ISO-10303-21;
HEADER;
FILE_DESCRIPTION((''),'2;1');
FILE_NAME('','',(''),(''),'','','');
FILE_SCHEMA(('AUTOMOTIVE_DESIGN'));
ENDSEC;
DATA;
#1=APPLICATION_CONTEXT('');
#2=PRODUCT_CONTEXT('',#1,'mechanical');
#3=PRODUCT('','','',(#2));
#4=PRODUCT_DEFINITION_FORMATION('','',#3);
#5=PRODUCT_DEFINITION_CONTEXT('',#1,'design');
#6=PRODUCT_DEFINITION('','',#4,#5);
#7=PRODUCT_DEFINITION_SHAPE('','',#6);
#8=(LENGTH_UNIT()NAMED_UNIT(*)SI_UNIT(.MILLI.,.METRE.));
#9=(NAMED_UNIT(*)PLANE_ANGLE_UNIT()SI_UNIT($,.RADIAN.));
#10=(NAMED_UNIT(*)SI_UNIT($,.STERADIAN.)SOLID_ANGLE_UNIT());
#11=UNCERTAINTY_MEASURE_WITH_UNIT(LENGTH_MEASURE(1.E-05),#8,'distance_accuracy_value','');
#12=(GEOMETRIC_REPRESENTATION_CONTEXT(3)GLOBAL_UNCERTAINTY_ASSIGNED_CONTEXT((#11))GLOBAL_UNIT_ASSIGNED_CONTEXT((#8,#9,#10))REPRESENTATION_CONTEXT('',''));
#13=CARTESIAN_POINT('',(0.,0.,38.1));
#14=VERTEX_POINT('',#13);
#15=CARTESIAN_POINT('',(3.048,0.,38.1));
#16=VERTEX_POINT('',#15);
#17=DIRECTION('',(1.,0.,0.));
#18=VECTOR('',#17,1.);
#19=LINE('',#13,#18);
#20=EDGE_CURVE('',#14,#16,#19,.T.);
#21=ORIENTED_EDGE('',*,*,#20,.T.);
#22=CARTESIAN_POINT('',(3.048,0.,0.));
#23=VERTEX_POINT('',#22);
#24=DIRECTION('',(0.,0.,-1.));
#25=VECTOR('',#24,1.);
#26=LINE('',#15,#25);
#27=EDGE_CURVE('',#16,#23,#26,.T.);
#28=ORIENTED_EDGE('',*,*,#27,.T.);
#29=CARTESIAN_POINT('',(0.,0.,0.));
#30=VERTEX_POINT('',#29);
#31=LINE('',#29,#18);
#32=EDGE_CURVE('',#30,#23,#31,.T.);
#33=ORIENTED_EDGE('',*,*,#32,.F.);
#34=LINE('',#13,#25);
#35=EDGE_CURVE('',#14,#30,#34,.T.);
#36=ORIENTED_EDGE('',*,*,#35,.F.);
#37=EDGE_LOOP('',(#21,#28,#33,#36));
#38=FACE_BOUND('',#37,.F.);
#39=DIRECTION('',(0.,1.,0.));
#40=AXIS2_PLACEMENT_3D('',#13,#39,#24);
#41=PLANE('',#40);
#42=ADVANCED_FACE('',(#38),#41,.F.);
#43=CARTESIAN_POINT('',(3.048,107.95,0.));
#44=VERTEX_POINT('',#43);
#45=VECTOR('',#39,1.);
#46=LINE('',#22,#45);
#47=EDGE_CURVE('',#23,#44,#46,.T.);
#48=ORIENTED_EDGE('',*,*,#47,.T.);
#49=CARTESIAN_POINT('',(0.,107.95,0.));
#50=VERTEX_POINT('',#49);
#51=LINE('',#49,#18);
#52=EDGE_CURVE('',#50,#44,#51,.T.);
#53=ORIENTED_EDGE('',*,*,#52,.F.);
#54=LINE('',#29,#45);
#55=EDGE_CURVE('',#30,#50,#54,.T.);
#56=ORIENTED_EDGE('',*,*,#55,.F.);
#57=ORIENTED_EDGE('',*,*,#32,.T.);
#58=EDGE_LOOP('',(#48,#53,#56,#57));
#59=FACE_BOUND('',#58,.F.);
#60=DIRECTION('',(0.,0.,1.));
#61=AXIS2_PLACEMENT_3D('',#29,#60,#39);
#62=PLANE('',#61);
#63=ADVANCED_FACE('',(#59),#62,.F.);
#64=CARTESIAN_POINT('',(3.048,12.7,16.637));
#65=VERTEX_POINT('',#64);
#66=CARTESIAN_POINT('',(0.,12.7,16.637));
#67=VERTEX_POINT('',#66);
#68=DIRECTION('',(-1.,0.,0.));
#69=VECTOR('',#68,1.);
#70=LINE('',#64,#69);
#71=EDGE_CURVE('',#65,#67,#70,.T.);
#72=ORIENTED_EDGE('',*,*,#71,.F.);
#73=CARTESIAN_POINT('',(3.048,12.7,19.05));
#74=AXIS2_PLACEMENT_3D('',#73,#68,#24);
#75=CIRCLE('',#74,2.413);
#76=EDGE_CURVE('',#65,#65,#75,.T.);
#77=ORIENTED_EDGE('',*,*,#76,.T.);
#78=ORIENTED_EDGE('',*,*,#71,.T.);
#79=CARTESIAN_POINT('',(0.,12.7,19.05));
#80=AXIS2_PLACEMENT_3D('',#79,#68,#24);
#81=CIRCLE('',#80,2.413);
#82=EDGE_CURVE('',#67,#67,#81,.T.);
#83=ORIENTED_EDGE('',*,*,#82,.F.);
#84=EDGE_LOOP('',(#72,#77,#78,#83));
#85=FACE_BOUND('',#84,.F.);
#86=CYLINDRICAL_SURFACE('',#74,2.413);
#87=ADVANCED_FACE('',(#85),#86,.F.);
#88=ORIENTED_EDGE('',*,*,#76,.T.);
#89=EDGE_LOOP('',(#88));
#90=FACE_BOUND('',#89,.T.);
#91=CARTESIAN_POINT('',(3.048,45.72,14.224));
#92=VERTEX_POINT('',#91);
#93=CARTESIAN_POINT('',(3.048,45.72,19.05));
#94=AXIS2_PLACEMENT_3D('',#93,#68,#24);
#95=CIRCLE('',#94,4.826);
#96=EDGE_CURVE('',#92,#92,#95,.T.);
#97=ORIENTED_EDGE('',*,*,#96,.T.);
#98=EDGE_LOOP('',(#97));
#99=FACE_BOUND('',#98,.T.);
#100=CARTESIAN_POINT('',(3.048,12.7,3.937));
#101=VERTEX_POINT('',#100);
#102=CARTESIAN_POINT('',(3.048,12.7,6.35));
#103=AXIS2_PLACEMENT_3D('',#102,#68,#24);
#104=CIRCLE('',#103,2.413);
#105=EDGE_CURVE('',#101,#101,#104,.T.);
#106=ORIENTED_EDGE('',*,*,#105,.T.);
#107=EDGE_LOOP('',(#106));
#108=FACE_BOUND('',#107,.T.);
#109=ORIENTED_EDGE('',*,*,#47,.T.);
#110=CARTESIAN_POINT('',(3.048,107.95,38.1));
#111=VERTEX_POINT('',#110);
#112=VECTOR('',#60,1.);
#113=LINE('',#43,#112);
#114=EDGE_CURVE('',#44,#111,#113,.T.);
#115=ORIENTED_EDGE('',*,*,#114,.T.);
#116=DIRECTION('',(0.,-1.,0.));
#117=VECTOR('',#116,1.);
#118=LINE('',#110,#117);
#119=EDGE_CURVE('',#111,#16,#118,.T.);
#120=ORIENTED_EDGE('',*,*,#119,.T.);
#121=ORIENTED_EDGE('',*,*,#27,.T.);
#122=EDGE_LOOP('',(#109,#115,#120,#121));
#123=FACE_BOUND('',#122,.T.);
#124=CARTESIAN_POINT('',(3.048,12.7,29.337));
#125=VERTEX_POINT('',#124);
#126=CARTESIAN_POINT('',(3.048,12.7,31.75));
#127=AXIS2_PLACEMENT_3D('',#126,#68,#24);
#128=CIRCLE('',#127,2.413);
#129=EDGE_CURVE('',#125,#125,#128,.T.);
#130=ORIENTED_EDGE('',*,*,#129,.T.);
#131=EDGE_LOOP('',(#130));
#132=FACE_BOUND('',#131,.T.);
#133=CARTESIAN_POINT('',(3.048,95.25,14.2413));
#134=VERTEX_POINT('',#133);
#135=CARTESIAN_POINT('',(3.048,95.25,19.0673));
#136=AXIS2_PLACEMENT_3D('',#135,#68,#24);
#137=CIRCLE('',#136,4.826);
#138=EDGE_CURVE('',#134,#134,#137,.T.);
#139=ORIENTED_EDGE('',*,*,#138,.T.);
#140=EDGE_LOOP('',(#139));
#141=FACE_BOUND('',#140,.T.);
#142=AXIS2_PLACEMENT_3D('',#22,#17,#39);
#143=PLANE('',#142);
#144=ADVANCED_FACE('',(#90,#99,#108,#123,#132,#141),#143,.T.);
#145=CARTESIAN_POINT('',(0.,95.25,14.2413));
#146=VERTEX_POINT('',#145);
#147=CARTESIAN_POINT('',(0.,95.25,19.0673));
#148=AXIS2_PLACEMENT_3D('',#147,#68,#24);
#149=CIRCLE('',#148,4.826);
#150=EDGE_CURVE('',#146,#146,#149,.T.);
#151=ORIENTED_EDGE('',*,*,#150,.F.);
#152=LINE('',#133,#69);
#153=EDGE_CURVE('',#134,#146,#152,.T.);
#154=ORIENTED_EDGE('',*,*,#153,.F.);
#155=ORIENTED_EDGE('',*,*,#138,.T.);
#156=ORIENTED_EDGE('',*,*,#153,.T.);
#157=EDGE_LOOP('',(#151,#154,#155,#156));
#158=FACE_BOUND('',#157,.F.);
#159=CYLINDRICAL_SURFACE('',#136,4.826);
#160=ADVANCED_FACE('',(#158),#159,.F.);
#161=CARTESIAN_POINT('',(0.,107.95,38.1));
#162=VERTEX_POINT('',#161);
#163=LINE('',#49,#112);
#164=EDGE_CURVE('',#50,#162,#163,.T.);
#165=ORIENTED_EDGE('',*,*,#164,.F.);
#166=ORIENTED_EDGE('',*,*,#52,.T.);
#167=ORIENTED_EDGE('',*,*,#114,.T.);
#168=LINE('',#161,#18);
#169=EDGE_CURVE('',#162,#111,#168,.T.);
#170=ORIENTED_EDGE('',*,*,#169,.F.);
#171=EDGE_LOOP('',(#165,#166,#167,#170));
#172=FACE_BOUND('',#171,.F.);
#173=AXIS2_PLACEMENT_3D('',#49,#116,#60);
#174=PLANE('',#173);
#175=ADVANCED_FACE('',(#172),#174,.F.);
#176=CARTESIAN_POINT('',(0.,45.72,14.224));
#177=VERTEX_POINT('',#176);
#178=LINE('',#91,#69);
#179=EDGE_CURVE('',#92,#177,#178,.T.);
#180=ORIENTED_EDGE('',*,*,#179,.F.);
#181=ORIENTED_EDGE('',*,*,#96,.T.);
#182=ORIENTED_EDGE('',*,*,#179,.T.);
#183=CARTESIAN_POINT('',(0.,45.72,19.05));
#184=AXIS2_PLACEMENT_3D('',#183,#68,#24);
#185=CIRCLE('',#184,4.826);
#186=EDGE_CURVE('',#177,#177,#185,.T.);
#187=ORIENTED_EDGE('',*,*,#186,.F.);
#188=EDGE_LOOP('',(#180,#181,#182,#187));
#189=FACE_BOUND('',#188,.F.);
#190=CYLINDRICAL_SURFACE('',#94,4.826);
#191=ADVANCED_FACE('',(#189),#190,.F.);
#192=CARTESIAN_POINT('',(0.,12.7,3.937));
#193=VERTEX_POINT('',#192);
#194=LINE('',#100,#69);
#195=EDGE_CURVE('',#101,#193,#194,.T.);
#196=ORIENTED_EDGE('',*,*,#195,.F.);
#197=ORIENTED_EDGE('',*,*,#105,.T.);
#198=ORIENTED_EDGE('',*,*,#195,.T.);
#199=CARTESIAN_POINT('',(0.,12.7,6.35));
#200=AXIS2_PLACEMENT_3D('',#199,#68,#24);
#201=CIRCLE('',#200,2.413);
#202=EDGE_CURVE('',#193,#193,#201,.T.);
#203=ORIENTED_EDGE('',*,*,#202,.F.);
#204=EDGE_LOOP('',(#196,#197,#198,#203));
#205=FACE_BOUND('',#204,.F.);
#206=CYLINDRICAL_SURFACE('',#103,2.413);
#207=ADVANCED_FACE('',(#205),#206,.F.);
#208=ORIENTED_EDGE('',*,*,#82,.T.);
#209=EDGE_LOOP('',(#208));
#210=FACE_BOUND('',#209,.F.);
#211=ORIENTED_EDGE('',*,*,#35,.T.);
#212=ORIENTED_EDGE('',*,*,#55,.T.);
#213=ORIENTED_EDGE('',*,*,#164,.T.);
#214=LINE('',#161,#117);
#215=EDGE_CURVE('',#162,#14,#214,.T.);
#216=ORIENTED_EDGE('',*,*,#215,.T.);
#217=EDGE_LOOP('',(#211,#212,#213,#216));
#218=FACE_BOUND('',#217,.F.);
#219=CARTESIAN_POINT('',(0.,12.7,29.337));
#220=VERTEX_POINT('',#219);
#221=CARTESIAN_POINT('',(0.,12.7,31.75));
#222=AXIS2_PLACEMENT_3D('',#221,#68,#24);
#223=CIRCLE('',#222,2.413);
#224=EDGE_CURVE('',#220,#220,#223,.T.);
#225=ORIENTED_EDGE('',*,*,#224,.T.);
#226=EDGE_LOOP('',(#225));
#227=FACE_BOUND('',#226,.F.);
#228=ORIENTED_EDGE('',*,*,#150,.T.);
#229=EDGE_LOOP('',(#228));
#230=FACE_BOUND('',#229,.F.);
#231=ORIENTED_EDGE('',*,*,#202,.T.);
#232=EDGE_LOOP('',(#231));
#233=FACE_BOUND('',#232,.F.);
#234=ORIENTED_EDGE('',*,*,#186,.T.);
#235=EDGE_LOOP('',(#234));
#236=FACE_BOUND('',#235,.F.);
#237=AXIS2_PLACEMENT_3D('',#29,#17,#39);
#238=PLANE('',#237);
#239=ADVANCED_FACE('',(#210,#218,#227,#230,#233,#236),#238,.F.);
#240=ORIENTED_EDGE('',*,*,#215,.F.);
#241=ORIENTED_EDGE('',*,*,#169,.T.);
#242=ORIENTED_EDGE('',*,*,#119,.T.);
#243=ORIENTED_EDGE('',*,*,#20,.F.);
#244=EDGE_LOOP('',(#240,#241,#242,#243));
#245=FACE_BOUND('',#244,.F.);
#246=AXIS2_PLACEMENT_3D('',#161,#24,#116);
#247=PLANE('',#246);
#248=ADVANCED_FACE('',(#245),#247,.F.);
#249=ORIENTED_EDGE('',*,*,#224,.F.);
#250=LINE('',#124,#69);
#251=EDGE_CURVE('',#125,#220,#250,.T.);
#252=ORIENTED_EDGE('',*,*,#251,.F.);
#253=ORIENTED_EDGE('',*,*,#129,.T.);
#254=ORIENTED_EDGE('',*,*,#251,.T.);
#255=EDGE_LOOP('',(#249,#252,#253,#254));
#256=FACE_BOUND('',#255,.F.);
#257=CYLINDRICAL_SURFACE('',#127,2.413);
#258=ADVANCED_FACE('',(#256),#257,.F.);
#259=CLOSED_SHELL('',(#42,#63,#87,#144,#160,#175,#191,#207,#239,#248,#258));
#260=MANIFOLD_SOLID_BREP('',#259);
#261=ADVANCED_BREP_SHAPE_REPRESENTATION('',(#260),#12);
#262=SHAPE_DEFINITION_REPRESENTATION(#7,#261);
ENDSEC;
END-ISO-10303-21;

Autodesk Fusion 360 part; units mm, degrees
sketch "Sketch1" plane through (0, 0, 0) normal (1, 0, 0) x (0, 1, 0)
  line L0 (0, 0) -> (107.95, 0)
  line L1 (107.95, 0) -> (107.95, 38.1)
  line L2 (107.95, 38.1) -> (0, 38.1)
  line L3 (0, 38.1) -> (0, 0)
  dimension "d1" = 38.1
  dimension "d2" = 107.95
extrude "Extrude1" add sketch "Sketch1" along normal blind 3.048
sketch "Sketch2" plane through (3.048, 0, 0) normal (1, 0, 0) x (0, 1, 0)
  line L0 (0, 38.1) -> (0, 0)
  line L1 (0, 0) -> (107.95, 0)
  line L2 (107.95, 0) -> (107.95, 38.1)
  line L3 (107.95, 38.1) -> (0, 38.1)
  line L4 (-12.7, 0) -> (-12.7, 19.05)
  line L5 (0, -12.7) -> (25.4, -12.7)
  line L6 (25.4, -25.4) -> (31.75, -25.4)
  line L7 (33.02, -38.1) -> (45.72, -38.1)
  line L8 (45.72, -50.8) -> (58.42, -50.8)
  line L9 (58.42, -50.8) -> (58.42, -38.1)
  line L10 (58.42, -38.1) -> (71.12, -38.1)
  line L11 (71.12, -38.1) -> (71.12, -50.8)
  line L12 (71.12, -50.8) -> (83.82, -50.8)
  line L13 (83.82, -50.8) -> (83.82, -38.1)
  line L14 (83.82, -38.1) -> (96.52, -38.1)
  line L15 (96.52, -38.1) -> (96.52, -50.8)
  line L16 (96.52, -50.8) -> (109.22, -50.8)
  line L17 (109.22, -50.8) -> (109.22, -38.1)
  line L18 (-12.7, 19.05) -> (121.92, 19.05)
  circle A0 centre (45.72, 19.05) radius 4.826
  dimension "d5" = 19.05
  dimension "d6" = 6.35
  dimension "d7" = 9.652
hole "Hole1" at (3.048, 45.72, 19.05) direction (-1, 0, 0) diameter 9.652 depth 40.64 tip angle 118
sketch "Sketch3" plane through (3.048, 0, 0) normal (1, 0, 0) x (0, 1, 0)
  circle A0 centre (45.72, 19.05) radius 4.826
  line L0 (0, 38.1) -> (0, 0)
  line L1 (0, 0) -> (107.95, 0)
  line L2 (107.95, 0) -> (107.95, 38.1)
  line L3 (107.95, 38.1) -> (0, 38.1)
  line L4 (111.76, 0) -> (111.76, 19.05)
  circle A1 centre (95.25, 19.0673) radius 4.826
  dimension "d16" = 9.652
hole "Hole2" at (3.048, 95.25, 19.0673) direction (-1, 0, 0) diameter 9.652 depth 40.64 tip angle 118
sketch "Sketch4" plane through (3.048, 0, 0) normal (1, 0, 0) x (0, 1, 0)
  circle A0 centre (95.25, 19.0673) radius 4.826
  circle A1 centre (45.72, 19.05) radius 4.826
  line L0 (0, 38.1) -> (0, 0)
  line L1 (0, 0) -> (107.95, 0)
  line L2 (107.95, 0) -> (107.95, 38.1)
  line L3 (107.95, 38.1) -> (0, 38.1)
  line L4 (12.7, -55.88) -> (0, -55.88)
  line L5 (0, -55.88) -> (0, 45.72)
  line L6 (12.7, 0) -> (-25.4, 0)
  line L7 (0, 0) -> (12.7, 0)
  line L8 (12.7, 0) -> (12.7, 6.35)
  line L9 (12.7, 6.35) -> (0, 6.35)
  line L10 (0, 6.35) -> (0, 0)
  dimension "d22" = 12.7
  dimension "d23" = 6.35
hole "Hole3" at (3.048, 12.7, 6.35) direction (-1, 0, 0) diameter 4.826 depth 40.64 tip angle 118
sketch "Sketch5" plane through (3.048, 0, 0) normal (1, 0, 0) x (0, 1, 0)
  circle A0 centre (12.7, 6.35) radius 2.413
  circle A1 centre (95.25, 19.0673) radius 4.826
  circle A2 centre (45.72, 19.05) radius 4.826
  line L0 (0, 38.1) -> (0, 0)
  line L1 (0, 0) -> (107.95, 0)
  line L2 (107.95, 0) -> (107.95, 38.1)
  line L3 (107.95, 38.1) -> (0, 38.1)
  line L4 (0, 38.1) -> (12.7, 38.1)
  line L5 (12.7, 38.1) -> (12.7, 31.75)
  line L6 (12.7, 31.75) -> (0, 31.75)
  line L7 (0, 31.75) -> (0, 38.1)
  dimension "d27" = 12.7
  dimension "d28" = 6.35
hole "Hole4" at (3.048, 12.7, 31.75) direction (-1, 0, 0) diameter 4.826 depth 40.64 tip angle 118
sketch "Sketch6" plane through (3.048, 0, 0) normal (1, 0, 0) x (0, 1, 0)
  circle A0 centre (12.7, 31.75) radius 2.413
  circle A1 centre (12.7, 6.35) radius 2.413
  circle A2 centre (95.25, 19.0673) radius 4.826
  circle A3 centre (45.72, 19.05) radius 4.826
  line L0 (0, 38.1) -> (0, 0)
  line L1 (0, 0) -> (107.95, 0)
  line L2 (107.95, 0) -> (107.95, 38.1)
  line L3 (107.95, 38.1) -> (0, 38.1)
  line L4 (0, 0) -> (12.7, 0)
  line L5 (12.7, 0) -> (12.7, 19.05)
  line L6 (12.7, 19.05) -> (0, 19.05)
  line L7 (0, 19.05) -> (0, 0)
  dimension "d32" = 12.7
  dimension "d33" = 19.05
hole "Hole5" at (3.048, 12.7, 19.05) direction (-1, 0, 0) diameter 4.826 depth 40.64 tip angle 118
